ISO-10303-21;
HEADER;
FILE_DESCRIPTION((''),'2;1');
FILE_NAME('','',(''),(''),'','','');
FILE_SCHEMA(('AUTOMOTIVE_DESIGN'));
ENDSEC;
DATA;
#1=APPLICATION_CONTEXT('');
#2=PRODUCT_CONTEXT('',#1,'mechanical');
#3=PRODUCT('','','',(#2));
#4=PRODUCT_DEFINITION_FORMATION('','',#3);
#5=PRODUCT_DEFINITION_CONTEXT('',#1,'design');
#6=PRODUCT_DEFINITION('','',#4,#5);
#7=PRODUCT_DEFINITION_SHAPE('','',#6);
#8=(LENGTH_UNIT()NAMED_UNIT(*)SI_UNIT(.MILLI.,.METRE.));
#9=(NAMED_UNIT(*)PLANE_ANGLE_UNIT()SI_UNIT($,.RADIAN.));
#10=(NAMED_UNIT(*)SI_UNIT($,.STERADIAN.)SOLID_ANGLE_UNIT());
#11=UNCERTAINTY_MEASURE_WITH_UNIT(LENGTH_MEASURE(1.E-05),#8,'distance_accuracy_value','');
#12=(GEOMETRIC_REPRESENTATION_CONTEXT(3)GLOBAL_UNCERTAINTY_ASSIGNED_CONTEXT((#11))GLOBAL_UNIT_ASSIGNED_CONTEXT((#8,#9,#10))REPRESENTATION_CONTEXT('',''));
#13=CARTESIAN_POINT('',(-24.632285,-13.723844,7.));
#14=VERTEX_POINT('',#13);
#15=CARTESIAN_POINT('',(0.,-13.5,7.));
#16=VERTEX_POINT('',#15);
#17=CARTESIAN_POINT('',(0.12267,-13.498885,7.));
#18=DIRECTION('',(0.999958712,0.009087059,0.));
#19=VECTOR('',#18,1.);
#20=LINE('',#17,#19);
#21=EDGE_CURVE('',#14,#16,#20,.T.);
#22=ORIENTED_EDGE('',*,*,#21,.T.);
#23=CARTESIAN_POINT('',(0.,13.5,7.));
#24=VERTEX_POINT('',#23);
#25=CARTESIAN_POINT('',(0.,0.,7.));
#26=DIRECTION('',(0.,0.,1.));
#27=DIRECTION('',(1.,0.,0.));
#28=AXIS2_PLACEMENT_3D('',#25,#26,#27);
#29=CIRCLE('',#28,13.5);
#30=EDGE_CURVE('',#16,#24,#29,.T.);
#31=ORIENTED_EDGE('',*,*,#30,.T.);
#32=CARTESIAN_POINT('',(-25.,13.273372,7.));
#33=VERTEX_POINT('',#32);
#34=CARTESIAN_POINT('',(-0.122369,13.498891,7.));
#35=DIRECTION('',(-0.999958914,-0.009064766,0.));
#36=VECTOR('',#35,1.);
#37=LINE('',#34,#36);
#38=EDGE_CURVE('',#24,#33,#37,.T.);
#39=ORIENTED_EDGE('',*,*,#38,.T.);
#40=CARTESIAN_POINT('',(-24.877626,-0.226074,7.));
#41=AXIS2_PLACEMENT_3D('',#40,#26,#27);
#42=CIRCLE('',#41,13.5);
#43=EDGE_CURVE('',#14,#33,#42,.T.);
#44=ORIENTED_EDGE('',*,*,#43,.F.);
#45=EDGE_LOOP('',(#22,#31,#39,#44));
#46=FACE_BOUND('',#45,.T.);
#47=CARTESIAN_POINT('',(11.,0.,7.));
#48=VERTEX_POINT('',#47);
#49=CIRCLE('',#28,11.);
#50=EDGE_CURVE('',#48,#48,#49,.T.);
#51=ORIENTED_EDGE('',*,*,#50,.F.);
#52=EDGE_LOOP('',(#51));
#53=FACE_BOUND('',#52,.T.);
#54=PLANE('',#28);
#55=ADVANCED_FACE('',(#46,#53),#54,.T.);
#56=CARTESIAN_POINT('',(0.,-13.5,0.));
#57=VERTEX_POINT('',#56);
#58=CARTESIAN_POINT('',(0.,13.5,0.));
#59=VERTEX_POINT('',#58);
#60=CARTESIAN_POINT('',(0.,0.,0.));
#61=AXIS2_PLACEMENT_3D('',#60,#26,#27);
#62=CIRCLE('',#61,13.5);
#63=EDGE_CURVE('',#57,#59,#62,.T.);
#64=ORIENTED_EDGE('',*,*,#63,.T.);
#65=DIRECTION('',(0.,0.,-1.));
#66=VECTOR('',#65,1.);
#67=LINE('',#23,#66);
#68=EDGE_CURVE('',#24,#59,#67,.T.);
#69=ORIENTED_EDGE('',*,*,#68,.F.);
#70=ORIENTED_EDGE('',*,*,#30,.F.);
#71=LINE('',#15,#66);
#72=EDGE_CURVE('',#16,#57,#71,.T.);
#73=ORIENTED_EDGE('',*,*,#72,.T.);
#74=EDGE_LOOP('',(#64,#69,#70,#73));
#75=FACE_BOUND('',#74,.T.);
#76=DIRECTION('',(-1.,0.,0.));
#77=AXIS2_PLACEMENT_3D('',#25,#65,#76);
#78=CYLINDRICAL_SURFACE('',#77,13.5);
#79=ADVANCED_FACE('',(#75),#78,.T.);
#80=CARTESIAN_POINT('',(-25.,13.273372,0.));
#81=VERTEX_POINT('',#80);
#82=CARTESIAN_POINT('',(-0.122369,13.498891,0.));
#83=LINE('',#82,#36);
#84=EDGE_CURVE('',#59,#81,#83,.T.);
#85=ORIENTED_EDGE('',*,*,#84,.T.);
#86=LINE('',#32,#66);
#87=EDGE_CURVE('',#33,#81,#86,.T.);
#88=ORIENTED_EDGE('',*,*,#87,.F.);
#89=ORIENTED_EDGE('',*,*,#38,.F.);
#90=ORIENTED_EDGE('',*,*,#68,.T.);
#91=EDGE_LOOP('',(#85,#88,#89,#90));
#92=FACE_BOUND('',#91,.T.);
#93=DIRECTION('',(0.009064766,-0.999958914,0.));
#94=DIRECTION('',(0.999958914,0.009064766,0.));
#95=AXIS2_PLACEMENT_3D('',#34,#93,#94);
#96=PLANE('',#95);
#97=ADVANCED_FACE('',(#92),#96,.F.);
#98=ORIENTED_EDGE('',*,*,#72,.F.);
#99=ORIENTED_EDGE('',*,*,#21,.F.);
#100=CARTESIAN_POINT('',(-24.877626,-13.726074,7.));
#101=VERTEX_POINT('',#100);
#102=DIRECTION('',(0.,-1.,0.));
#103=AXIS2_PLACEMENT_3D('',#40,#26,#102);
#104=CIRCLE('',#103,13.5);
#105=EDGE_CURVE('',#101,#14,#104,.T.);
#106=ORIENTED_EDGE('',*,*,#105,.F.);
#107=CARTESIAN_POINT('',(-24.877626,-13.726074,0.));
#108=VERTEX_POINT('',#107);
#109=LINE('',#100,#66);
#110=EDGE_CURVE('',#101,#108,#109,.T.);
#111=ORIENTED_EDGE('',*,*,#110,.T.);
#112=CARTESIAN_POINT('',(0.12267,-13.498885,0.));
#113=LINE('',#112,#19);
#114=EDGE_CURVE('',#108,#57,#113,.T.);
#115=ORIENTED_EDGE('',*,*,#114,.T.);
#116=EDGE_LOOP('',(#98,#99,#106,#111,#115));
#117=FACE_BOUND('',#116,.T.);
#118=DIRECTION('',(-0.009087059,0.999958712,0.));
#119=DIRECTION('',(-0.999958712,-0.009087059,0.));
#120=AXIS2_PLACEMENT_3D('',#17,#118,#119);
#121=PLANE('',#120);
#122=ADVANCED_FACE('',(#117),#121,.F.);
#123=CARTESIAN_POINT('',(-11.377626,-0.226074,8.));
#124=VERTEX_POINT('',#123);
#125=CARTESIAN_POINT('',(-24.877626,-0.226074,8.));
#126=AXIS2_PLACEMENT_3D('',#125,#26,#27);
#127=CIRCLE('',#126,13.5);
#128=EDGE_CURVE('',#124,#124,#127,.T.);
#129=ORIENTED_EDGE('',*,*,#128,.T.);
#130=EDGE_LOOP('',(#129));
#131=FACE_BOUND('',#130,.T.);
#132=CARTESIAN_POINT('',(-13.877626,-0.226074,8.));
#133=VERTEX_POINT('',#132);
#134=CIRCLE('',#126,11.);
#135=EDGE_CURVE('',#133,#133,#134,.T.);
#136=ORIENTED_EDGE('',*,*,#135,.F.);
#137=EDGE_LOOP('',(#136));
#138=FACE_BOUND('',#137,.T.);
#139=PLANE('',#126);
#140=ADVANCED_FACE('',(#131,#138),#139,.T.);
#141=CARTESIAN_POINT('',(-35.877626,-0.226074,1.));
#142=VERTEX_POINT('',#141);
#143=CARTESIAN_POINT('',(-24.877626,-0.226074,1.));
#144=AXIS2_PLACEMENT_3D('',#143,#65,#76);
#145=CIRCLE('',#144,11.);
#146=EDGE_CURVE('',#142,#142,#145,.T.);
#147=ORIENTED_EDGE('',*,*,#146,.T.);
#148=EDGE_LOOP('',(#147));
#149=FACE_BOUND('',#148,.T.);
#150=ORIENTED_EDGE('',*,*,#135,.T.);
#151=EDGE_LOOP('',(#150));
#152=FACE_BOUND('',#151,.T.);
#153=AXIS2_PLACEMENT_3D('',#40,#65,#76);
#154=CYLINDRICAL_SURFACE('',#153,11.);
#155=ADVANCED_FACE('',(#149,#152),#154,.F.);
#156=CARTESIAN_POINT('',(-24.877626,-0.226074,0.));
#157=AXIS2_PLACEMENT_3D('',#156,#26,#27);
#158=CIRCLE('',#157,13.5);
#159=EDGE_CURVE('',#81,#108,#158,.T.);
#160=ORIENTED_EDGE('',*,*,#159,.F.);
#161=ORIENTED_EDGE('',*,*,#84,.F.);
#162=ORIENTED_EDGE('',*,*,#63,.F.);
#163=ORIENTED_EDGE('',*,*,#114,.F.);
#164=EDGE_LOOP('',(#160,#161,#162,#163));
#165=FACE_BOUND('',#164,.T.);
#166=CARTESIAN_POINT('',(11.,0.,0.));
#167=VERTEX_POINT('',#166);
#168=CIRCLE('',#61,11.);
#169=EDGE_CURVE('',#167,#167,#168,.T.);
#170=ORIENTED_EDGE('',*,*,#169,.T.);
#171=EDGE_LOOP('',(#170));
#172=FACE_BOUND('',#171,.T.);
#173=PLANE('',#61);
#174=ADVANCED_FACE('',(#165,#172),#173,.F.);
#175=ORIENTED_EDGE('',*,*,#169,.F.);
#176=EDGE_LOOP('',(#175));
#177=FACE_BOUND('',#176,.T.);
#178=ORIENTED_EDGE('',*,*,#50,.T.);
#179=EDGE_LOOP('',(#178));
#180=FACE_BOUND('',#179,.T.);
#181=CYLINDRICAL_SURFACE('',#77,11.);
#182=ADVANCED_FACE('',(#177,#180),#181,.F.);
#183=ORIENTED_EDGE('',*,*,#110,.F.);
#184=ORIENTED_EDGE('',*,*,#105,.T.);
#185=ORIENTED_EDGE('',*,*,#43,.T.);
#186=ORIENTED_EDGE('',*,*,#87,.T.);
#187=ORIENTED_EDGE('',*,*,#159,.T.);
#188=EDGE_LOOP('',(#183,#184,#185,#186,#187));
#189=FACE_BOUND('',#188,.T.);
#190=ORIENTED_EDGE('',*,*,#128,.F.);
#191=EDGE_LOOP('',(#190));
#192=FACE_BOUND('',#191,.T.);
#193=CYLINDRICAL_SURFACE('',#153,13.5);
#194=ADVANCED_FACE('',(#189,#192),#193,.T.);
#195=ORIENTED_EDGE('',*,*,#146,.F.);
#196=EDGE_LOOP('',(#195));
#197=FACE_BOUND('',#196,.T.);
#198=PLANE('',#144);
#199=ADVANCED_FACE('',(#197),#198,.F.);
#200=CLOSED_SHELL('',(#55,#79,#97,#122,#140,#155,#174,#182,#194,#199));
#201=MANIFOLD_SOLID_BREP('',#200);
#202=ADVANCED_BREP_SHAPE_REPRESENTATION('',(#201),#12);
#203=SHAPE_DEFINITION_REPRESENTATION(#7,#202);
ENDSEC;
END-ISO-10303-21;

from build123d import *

# Parameters (mm, degrees)
SKETCH1_R           = 11
BOSS_EXTRUDE1_DEPTH = 7
SKETCH2_R           = 11
BOSS_EXTRUDE2_DEPTH = 1
SKETCH3_R           = 13.5
SKETCH3_R_2         = 11
BOSS_EXTRUDE3_DEPTH = 1


with BuildPart() as part:
    # Sketch1 → Boss-Extrude1 (new body)
    with BuildSketch(Plane.XY):
        with BuildLine():
            ThreePointArc((0, -13.5), (13.5, 0), (0, 13.5))
            Line((0, 13.5), (-0.244738618, 13.497781411))
            Line((-0.244738618, 13.497781411), (-25, 13.273371546))
            ThreePointArc((-25, 13.273371546), (-38.377486998, -0.287261592), (-24.877625663, -13.726073795))
            Line((-24.877625663, -13.726073795), (-24.632285191, -13.723844279))
            Line((-24.632285191, -13.723844279), (0, -13.5))
        make_face()
        with Locations((-24.877625663, -0.226073795)):
            Circle(SKETCH1_R, mode=Mode.SUBTRACT)
        Circle(SKETCH1_R, mode=Mode.SUBTRACT)
    extrude(amount=BOSS_EXTRUDE1_DEPTH)

    # Sketch2 → Boss-Extrude2 (add)
    with BuildSketch(Plane(origin=(0, 0, 0), x_dir=(-1, 0, 0), z_dir=(0, 0, -1))):
        with Locations((24.877625663, -0.226073795)):
            Circle(SKETCH2_R)
    extrude(amount=-BOSS_EXTRUDE2_DEPTH)

    # Sketch3 → Boss-Extrude3 (add)
    with BuildSketch(Plane.XY.offset(7)):
        with Locations(Location((-24.877625663, -0.226073795, 0), (0, 0, 90.519379929))):
            Circle(SKETCH3_R)
        with Locations(Location((-24.877625663, -0.226073795, 0), (0, 0, 180))):
            Circle(SKETCH3_R_2, mode=Mode.SUBTRACT)
    extrude(amount=BOSS_EXTRUDE3_DEPTH)


solid = part.part
